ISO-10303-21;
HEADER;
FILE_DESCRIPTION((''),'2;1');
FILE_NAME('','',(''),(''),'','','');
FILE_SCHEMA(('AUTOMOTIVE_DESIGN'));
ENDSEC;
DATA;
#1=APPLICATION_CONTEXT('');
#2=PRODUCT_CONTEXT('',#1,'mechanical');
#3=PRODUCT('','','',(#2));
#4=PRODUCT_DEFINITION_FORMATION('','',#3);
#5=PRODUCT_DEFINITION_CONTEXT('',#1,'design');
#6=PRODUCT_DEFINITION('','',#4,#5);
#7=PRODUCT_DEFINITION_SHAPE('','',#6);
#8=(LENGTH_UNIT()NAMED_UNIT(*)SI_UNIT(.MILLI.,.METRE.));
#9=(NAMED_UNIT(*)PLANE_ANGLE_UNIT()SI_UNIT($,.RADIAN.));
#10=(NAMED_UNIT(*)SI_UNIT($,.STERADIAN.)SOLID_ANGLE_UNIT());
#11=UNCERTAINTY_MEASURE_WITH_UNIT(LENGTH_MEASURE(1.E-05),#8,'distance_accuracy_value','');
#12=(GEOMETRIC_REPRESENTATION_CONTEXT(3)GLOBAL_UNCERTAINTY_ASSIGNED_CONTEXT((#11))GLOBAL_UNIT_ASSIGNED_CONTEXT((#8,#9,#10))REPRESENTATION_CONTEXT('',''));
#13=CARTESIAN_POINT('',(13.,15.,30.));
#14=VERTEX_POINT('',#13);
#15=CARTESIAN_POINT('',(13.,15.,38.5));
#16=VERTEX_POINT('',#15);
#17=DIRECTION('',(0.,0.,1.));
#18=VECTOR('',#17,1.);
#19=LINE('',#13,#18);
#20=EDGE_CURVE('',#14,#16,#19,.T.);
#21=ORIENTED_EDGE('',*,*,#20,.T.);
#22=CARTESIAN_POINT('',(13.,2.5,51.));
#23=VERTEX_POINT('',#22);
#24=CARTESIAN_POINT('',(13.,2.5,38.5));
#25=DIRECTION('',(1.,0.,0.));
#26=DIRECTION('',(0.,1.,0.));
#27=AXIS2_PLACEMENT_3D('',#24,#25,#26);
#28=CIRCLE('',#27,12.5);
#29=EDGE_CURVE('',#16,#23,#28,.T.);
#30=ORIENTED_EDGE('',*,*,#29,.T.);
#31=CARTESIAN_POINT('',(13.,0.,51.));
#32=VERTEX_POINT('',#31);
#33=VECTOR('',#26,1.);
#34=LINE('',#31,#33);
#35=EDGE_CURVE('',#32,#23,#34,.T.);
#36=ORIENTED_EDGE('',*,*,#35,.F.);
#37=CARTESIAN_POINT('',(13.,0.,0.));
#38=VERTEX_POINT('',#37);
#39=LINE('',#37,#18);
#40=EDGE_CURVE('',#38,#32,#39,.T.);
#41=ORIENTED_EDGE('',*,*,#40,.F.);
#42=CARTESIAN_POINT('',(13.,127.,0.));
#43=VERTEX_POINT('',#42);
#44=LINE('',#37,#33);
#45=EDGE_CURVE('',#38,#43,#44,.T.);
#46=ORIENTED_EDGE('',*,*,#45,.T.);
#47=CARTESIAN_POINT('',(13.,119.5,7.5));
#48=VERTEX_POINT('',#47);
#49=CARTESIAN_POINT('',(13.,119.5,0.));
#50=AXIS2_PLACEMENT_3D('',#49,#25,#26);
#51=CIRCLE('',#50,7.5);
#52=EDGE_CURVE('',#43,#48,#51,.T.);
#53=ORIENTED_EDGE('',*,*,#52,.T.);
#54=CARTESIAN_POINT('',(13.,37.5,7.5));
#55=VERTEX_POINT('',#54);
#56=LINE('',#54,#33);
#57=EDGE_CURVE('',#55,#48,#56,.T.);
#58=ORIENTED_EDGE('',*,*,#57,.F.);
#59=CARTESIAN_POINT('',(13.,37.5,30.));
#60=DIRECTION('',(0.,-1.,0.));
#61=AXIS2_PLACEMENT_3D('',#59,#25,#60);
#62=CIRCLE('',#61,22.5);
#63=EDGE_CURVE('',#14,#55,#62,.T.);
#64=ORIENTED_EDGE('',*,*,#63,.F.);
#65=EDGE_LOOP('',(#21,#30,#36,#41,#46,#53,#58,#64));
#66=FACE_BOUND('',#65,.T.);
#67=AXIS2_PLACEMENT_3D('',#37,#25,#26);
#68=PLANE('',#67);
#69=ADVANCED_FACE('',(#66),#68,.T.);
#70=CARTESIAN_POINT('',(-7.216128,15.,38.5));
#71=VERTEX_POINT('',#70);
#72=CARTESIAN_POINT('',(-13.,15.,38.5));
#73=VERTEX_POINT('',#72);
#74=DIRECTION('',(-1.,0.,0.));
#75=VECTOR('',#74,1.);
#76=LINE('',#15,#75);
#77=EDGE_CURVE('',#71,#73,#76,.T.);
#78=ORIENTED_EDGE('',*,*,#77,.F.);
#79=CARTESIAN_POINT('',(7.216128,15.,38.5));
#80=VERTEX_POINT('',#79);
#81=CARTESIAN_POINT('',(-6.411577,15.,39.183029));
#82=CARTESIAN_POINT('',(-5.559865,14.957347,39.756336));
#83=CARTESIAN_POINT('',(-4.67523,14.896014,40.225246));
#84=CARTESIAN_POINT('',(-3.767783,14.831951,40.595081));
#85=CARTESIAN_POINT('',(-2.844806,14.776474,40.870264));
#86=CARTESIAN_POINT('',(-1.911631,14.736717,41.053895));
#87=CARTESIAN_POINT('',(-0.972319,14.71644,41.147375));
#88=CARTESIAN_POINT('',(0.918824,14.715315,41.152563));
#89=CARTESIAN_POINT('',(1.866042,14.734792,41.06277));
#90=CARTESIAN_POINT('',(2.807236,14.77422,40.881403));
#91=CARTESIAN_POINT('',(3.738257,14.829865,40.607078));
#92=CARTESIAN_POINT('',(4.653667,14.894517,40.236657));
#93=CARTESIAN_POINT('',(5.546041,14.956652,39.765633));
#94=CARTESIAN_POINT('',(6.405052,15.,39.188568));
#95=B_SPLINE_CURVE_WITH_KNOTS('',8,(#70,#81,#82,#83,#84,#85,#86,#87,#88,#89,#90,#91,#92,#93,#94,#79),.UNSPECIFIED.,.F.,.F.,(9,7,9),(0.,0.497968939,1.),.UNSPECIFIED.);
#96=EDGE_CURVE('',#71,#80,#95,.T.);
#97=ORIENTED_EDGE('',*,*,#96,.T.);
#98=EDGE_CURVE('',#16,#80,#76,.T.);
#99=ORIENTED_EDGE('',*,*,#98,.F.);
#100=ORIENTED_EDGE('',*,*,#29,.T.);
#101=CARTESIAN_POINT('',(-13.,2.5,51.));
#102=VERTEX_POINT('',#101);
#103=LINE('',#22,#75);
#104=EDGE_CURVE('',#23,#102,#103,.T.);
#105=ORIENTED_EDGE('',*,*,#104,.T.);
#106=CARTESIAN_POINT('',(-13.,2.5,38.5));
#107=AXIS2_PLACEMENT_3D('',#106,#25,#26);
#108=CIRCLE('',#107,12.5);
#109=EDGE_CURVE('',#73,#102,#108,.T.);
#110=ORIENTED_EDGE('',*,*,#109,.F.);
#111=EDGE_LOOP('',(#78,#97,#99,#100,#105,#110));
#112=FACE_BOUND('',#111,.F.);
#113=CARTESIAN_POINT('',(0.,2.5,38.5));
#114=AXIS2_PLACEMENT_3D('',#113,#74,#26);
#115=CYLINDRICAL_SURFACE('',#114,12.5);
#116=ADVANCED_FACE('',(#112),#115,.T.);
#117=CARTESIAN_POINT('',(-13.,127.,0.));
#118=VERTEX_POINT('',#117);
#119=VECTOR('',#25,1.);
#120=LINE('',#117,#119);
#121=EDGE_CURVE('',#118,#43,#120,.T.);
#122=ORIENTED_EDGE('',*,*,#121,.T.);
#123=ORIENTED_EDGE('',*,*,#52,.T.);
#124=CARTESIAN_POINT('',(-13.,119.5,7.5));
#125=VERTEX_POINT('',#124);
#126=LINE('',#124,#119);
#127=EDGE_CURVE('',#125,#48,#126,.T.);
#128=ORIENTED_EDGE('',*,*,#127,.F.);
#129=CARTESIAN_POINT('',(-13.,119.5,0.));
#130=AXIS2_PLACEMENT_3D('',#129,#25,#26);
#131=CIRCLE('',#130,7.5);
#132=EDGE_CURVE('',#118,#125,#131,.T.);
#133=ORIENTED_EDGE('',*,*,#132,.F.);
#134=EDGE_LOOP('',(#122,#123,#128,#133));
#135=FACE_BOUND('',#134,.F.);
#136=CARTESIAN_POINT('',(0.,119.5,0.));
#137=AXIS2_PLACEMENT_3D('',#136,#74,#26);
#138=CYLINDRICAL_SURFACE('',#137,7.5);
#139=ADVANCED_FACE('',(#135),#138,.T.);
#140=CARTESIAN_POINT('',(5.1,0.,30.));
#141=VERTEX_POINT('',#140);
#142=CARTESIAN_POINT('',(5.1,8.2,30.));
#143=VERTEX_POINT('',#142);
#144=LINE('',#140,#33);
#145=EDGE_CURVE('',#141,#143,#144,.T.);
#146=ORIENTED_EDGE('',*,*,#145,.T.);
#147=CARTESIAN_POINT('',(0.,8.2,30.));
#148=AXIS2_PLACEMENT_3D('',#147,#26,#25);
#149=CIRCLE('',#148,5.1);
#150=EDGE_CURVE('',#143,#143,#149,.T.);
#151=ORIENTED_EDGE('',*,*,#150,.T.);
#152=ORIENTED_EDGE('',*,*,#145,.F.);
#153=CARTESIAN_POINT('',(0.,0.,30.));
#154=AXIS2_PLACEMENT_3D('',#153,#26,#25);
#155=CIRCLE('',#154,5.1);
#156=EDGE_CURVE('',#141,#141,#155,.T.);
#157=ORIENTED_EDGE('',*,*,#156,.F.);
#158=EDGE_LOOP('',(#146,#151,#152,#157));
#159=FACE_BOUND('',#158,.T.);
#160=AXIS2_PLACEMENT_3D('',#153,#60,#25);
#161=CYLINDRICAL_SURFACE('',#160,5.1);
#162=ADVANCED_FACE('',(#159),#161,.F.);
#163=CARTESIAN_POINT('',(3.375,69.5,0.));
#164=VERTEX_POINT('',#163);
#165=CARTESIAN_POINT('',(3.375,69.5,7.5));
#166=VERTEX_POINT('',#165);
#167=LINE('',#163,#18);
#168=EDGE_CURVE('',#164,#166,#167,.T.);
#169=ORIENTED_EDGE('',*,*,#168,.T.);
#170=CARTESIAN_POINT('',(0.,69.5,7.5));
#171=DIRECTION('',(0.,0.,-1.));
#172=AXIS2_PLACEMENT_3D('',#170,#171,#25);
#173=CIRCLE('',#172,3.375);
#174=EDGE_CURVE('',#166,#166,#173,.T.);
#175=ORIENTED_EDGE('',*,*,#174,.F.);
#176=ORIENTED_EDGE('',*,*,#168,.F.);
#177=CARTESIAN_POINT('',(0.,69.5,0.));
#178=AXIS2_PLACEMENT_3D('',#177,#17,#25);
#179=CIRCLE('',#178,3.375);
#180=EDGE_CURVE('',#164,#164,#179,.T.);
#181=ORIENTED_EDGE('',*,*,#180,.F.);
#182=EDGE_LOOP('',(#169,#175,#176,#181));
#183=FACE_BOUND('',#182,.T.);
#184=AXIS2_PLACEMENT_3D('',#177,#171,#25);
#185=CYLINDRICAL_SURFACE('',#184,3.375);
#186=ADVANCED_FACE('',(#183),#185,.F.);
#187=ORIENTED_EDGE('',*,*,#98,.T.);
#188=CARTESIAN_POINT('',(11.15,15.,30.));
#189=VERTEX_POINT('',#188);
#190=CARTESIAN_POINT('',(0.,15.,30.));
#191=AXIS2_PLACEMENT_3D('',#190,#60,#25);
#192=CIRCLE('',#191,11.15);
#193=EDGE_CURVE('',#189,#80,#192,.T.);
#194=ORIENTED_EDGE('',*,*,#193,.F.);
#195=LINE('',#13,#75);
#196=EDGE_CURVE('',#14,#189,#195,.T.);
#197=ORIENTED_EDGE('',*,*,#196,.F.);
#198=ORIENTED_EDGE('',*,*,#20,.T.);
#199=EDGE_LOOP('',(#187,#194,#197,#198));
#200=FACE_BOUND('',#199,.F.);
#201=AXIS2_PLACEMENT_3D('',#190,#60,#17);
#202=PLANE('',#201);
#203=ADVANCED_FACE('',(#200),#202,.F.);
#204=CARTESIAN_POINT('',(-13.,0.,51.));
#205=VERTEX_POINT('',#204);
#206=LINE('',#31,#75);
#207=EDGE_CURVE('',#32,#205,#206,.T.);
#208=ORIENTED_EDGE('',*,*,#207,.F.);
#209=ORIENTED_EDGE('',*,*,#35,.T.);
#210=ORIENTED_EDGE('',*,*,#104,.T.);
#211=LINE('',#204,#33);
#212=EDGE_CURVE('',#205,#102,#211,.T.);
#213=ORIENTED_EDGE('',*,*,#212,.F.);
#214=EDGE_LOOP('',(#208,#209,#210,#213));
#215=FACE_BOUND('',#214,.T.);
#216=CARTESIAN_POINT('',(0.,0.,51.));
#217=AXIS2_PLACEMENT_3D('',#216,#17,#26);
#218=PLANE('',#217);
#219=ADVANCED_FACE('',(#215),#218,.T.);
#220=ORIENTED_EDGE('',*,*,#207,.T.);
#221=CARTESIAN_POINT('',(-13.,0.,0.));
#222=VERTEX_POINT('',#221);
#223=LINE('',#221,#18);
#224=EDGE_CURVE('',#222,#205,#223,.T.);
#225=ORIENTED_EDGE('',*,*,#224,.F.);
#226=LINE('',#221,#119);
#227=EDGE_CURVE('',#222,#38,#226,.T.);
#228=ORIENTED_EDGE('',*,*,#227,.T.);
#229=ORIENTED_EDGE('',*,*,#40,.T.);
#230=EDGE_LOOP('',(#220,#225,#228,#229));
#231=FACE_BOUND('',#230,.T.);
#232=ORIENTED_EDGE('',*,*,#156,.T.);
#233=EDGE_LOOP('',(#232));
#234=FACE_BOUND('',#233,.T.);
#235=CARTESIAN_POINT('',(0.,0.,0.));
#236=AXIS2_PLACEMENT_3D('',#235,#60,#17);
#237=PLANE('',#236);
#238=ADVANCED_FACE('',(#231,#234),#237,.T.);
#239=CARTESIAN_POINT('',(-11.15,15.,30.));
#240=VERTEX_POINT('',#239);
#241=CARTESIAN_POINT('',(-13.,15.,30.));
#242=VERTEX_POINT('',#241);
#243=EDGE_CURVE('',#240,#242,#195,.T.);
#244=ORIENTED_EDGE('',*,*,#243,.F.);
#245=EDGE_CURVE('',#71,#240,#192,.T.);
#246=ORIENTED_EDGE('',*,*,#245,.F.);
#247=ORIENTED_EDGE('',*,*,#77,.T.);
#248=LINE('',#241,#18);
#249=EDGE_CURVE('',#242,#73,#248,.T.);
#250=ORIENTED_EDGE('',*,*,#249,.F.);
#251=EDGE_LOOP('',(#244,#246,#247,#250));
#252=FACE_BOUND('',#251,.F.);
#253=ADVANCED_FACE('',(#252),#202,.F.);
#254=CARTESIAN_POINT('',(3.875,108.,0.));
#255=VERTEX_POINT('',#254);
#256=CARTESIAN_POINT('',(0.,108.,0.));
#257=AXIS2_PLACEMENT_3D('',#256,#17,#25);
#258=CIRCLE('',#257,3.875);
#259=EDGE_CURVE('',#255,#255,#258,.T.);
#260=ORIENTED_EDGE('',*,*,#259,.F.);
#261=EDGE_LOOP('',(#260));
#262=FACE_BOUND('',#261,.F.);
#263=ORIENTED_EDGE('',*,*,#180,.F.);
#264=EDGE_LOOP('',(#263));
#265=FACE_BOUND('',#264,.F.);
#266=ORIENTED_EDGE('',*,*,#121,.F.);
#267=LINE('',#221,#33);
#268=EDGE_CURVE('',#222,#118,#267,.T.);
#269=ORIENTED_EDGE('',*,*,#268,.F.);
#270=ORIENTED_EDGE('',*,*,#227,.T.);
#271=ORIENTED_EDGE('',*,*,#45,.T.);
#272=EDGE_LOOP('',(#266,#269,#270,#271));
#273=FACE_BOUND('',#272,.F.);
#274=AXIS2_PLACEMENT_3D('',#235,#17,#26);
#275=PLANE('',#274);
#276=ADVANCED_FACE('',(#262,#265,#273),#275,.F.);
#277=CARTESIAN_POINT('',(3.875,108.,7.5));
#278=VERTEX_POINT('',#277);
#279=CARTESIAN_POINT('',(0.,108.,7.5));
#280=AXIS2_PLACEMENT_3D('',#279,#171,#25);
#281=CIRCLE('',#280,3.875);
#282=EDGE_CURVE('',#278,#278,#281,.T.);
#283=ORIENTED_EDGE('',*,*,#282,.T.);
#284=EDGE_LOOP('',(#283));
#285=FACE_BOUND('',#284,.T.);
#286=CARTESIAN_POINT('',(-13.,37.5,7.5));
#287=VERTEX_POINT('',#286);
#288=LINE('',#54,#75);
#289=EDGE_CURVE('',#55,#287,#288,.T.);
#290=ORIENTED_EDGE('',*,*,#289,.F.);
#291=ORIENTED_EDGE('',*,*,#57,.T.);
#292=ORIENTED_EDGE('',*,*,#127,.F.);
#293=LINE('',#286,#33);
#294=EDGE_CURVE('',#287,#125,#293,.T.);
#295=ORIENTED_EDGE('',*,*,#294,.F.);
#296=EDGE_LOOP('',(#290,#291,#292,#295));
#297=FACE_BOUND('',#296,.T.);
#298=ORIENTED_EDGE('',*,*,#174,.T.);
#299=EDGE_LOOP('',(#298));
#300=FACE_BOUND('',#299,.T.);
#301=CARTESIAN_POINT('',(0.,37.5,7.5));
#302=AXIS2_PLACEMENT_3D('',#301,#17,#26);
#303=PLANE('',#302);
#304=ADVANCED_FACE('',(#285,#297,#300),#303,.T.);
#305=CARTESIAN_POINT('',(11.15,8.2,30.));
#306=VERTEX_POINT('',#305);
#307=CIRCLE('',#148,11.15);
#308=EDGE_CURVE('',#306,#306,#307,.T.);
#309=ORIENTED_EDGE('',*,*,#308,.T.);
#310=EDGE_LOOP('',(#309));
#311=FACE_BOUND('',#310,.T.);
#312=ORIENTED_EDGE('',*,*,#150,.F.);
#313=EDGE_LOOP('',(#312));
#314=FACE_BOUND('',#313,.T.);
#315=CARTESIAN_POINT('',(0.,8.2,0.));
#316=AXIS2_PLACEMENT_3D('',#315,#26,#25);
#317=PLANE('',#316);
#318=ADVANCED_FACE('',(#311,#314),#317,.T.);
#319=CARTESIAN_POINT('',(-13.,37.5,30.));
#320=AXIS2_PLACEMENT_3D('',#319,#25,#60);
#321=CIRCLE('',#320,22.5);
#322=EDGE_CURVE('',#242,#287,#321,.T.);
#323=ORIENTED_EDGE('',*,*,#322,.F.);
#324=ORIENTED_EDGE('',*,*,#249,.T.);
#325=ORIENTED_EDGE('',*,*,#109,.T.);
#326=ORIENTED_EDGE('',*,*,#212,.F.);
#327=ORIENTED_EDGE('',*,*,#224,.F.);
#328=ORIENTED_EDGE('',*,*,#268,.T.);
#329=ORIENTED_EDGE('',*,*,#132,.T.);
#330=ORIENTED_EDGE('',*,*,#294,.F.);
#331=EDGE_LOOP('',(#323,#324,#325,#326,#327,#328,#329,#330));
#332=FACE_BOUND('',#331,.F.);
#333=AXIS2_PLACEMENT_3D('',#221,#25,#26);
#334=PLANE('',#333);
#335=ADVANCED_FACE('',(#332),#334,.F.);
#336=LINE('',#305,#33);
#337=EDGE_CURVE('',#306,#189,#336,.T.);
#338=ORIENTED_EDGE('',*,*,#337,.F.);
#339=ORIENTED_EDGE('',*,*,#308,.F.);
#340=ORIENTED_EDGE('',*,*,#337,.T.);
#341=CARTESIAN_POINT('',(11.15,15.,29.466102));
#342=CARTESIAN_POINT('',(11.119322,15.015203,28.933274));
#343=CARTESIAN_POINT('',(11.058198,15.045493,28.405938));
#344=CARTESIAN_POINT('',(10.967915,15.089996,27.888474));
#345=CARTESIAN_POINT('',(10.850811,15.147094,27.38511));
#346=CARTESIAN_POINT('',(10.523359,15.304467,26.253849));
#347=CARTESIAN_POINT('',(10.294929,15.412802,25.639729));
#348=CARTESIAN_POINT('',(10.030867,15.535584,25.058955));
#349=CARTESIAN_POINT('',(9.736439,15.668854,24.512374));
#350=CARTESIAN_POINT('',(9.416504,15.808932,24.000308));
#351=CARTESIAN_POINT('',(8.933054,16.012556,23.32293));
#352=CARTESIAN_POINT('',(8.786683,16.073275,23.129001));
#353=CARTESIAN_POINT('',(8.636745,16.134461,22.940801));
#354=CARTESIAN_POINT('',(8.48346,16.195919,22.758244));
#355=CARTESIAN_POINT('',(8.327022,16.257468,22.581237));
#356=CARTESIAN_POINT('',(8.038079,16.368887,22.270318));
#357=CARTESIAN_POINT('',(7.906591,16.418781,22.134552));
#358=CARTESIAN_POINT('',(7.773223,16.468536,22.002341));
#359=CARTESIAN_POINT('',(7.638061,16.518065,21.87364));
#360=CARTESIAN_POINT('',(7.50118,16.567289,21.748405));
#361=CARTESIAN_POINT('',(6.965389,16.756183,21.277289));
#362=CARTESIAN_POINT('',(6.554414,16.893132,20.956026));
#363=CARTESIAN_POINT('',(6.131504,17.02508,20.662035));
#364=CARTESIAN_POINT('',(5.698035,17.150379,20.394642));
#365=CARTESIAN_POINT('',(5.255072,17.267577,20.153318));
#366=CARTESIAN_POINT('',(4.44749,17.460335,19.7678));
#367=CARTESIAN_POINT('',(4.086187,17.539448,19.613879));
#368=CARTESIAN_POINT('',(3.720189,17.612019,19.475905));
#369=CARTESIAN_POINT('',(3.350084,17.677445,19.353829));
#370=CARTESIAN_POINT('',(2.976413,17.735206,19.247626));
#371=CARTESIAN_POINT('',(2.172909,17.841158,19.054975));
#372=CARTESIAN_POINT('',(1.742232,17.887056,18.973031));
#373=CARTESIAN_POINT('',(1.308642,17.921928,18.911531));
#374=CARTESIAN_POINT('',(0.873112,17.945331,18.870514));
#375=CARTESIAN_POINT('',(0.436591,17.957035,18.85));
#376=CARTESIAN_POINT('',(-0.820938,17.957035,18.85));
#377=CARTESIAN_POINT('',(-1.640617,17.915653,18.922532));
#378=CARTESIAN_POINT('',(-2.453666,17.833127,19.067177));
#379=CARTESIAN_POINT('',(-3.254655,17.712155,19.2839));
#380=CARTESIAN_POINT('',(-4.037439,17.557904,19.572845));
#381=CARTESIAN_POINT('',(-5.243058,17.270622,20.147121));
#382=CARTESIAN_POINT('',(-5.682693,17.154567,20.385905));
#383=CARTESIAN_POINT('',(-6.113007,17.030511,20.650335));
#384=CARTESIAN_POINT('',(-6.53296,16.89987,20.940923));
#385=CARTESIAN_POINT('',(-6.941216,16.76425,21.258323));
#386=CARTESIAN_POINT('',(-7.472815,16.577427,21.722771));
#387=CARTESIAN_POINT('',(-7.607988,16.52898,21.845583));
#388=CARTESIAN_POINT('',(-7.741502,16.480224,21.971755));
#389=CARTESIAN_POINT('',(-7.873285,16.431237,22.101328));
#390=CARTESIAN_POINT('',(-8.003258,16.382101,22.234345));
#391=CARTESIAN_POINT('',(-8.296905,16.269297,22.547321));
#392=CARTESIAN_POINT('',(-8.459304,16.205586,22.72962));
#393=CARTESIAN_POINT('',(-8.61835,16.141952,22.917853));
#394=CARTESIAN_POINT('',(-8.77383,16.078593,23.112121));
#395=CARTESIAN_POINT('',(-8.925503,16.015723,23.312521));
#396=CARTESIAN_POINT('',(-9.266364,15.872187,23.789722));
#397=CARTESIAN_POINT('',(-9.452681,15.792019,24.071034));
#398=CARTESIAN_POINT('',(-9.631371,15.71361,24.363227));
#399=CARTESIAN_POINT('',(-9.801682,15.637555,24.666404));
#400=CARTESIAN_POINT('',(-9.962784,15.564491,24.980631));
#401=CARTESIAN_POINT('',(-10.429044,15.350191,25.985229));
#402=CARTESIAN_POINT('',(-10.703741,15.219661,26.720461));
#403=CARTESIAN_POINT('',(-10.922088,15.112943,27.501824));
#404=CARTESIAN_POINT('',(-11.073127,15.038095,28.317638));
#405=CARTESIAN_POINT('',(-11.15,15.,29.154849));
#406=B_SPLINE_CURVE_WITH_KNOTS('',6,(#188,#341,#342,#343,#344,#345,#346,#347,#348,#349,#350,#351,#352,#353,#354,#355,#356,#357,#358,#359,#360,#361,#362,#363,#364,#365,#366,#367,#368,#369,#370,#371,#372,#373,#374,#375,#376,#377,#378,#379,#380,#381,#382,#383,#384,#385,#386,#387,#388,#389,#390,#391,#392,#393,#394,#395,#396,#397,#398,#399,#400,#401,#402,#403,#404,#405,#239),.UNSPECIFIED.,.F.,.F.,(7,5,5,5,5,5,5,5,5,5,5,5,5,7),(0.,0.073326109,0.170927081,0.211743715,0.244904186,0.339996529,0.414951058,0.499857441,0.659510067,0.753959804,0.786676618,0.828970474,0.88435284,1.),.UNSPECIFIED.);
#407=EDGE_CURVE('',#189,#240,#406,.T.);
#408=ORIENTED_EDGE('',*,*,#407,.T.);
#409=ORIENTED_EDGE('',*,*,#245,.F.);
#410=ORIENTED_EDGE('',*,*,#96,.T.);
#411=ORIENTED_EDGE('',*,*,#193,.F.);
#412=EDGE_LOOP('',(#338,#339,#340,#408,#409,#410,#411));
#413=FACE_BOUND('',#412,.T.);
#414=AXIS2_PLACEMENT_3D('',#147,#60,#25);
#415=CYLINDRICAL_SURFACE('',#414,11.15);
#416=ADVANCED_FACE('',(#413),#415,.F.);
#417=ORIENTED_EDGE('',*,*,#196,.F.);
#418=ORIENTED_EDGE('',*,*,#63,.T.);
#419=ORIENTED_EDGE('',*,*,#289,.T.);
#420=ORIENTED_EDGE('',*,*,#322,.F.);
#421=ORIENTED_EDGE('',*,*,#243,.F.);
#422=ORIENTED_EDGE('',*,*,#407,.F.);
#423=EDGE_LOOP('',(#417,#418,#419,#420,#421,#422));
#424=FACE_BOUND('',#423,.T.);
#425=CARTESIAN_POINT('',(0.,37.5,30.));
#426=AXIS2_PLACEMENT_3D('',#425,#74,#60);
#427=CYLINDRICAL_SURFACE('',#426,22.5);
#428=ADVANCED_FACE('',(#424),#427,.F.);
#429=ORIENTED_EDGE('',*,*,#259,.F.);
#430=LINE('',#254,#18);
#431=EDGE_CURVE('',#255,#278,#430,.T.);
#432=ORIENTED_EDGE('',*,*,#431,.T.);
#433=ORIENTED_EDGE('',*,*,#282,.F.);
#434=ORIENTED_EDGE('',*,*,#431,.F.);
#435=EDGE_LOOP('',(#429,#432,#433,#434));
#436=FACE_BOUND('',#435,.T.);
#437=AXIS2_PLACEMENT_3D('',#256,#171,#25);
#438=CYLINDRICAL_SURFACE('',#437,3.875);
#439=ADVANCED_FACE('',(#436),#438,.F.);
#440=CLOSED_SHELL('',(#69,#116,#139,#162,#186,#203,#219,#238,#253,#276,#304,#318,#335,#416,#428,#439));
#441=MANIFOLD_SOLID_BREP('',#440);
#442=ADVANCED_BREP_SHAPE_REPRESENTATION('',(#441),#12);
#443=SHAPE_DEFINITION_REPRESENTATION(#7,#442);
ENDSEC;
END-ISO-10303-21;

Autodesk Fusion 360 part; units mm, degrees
sketch "Sketch1" plane through (0, 0, 0) normal (1, 0, 0) x (0, 1, 0)
  line L0 (0, 0) -> (0, 51)
  line L1 (0, 0) -> (127, 0)
  line L2 (127, 0) -> (127, 0.0001)
  line L3 (0, 51) -> (2.5, 51)
  line L4 (37.5, 7.5) -> (119.5, 7.5)
  line L5 (-5, 0) -> (-5, 33)
  line L6 (69.5, -10) -> (108, -10)
  line L7 (15, 30) -> (15, 38.5)
  arc A0 (15, 38.5) -> (2.5, 51) centre (2.5, 38.5) ccw
  arc A1 (127, 0.0001) -> (119.5, 7.5) centre (119.5, 0) ccw
  arc A2 (15, 30) -> (37.5, 7.5) centre (37.5, 30) ccw
  point P0 (126.9999, 7.5)
  point P1 (15, 51)
  point P2 (15, 7.5)
  dimension "d1" = 51
  dimension "d2" = 127
  dimension "d5" = 7.5
  dimension "d6" = 43.5
  dimension "d7" = 33
  dimension "d10" = 12.5
  dimension "d11" = 7.5
  dimension "d12" = 22.5
sketch "Sketch2" plane through (0, 0, 0) normal (0, 0, 1) x (1, 0, 0)
  circle A0 centre (0, 69.5) radius 3.375
  circle A1 centre (0, 108) radius 3.875
  dimension "d13" = 6.75
  dimension "d14" = 7.75
sketch "Sketch3" plane through (0, 0, 0) normal (0, 1, 0) x (1, 0, 0)
  circle A0 centre (0, -30) radius 5.1
  circle A1 centre (0, -30) radius 11.15
  dimension "d15" = 10.2
  dimension "d16" = 22.3
extrude "Extrude1" add sketch "Sketch1" along normal mid plane 26
extrude "Extrude2" cut sketch "Sketch2" along normal blind 20
extrude "Extrude3" cut sketch "Sketch3" along normal blind 90 contours A0
extrude "Extrude4" cut sketch "Sketch3" along normal blind 20 from surface at 8.2
